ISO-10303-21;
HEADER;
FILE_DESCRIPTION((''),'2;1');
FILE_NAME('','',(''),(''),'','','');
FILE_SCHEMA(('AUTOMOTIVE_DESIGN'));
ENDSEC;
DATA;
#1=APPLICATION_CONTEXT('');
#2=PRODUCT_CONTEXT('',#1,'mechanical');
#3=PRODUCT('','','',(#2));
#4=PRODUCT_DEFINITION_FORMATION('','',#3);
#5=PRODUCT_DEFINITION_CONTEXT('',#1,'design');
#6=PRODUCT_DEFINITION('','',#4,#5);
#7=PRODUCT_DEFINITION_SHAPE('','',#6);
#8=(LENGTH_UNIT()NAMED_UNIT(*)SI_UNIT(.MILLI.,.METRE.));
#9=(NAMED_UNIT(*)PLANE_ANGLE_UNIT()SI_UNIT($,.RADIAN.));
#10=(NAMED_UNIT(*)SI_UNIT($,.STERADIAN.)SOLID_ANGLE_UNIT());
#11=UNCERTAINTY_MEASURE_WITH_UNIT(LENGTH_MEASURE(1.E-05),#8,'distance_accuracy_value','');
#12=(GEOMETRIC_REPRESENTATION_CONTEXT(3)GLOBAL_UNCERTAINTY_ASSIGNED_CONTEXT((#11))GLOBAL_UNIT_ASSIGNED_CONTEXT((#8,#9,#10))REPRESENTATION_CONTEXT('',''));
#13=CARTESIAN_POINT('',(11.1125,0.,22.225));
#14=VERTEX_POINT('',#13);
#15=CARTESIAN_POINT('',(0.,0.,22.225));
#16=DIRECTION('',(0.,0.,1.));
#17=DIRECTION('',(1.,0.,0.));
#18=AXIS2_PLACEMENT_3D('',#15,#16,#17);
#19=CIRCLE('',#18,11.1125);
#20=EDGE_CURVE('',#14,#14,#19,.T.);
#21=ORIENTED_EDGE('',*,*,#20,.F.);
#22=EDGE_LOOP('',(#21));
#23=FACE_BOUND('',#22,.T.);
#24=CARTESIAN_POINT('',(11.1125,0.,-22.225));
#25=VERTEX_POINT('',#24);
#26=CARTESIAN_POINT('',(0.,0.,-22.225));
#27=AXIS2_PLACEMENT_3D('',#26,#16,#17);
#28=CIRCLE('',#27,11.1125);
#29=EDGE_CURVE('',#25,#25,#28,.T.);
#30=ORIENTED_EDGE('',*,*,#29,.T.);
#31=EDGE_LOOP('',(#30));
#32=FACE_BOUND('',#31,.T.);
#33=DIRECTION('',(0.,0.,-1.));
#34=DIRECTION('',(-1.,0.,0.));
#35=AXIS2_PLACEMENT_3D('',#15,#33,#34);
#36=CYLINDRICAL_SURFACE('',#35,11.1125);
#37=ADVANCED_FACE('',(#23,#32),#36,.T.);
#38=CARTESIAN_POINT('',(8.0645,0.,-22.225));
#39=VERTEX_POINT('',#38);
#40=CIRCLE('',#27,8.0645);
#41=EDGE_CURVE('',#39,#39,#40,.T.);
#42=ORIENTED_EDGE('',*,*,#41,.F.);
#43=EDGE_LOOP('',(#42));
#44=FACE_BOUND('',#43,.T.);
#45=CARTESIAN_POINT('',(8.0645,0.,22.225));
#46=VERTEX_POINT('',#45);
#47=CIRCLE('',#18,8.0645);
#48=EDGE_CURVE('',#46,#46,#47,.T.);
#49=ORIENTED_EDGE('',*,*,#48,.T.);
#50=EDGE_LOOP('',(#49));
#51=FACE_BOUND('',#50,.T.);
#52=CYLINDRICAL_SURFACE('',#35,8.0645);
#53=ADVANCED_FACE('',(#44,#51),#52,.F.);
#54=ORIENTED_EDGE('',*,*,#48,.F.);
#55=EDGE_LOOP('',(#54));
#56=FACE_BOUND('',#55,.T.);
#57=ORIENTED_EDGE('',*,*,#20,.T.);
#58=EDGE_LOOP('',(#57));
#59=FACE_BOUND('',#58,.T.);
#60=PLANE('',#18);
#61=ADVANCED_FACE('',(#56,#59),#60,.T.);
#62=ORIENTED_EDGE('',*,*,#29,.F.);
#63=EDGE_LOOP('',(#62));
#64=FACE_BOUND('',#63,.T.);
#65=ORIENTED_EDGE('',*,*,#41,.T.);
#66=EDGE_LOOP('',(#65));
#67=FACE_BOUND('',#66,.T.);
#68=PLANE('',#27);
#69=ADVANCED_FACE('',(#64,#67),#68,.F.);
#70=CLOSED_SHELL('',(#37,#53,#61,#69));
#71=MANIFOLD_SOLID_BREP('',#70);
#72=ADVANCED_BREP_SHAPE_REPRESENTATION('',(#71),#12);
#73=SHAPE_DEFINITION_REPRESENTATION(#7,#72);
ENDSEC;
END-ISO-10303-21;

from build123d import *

# Parameters (mm, degrees)
SKETCH1_R      = 11.1125
SKETCH1_R_2    = 8.0645
EXTRUDE1_DEPTH = 22.225


with BuildPart() as part:
    # Sketch1 → Extrude1 (new body, symmetric)
    with BuildSketch(Plane.XY):
        Circle(SKETCH1_R)
        Circle(SKETCH1_R_2, mode=Mode.SUBTRACT)
    extrude(amount=EXTRUDE1_DEPTH, both=True)


solid = part.part
